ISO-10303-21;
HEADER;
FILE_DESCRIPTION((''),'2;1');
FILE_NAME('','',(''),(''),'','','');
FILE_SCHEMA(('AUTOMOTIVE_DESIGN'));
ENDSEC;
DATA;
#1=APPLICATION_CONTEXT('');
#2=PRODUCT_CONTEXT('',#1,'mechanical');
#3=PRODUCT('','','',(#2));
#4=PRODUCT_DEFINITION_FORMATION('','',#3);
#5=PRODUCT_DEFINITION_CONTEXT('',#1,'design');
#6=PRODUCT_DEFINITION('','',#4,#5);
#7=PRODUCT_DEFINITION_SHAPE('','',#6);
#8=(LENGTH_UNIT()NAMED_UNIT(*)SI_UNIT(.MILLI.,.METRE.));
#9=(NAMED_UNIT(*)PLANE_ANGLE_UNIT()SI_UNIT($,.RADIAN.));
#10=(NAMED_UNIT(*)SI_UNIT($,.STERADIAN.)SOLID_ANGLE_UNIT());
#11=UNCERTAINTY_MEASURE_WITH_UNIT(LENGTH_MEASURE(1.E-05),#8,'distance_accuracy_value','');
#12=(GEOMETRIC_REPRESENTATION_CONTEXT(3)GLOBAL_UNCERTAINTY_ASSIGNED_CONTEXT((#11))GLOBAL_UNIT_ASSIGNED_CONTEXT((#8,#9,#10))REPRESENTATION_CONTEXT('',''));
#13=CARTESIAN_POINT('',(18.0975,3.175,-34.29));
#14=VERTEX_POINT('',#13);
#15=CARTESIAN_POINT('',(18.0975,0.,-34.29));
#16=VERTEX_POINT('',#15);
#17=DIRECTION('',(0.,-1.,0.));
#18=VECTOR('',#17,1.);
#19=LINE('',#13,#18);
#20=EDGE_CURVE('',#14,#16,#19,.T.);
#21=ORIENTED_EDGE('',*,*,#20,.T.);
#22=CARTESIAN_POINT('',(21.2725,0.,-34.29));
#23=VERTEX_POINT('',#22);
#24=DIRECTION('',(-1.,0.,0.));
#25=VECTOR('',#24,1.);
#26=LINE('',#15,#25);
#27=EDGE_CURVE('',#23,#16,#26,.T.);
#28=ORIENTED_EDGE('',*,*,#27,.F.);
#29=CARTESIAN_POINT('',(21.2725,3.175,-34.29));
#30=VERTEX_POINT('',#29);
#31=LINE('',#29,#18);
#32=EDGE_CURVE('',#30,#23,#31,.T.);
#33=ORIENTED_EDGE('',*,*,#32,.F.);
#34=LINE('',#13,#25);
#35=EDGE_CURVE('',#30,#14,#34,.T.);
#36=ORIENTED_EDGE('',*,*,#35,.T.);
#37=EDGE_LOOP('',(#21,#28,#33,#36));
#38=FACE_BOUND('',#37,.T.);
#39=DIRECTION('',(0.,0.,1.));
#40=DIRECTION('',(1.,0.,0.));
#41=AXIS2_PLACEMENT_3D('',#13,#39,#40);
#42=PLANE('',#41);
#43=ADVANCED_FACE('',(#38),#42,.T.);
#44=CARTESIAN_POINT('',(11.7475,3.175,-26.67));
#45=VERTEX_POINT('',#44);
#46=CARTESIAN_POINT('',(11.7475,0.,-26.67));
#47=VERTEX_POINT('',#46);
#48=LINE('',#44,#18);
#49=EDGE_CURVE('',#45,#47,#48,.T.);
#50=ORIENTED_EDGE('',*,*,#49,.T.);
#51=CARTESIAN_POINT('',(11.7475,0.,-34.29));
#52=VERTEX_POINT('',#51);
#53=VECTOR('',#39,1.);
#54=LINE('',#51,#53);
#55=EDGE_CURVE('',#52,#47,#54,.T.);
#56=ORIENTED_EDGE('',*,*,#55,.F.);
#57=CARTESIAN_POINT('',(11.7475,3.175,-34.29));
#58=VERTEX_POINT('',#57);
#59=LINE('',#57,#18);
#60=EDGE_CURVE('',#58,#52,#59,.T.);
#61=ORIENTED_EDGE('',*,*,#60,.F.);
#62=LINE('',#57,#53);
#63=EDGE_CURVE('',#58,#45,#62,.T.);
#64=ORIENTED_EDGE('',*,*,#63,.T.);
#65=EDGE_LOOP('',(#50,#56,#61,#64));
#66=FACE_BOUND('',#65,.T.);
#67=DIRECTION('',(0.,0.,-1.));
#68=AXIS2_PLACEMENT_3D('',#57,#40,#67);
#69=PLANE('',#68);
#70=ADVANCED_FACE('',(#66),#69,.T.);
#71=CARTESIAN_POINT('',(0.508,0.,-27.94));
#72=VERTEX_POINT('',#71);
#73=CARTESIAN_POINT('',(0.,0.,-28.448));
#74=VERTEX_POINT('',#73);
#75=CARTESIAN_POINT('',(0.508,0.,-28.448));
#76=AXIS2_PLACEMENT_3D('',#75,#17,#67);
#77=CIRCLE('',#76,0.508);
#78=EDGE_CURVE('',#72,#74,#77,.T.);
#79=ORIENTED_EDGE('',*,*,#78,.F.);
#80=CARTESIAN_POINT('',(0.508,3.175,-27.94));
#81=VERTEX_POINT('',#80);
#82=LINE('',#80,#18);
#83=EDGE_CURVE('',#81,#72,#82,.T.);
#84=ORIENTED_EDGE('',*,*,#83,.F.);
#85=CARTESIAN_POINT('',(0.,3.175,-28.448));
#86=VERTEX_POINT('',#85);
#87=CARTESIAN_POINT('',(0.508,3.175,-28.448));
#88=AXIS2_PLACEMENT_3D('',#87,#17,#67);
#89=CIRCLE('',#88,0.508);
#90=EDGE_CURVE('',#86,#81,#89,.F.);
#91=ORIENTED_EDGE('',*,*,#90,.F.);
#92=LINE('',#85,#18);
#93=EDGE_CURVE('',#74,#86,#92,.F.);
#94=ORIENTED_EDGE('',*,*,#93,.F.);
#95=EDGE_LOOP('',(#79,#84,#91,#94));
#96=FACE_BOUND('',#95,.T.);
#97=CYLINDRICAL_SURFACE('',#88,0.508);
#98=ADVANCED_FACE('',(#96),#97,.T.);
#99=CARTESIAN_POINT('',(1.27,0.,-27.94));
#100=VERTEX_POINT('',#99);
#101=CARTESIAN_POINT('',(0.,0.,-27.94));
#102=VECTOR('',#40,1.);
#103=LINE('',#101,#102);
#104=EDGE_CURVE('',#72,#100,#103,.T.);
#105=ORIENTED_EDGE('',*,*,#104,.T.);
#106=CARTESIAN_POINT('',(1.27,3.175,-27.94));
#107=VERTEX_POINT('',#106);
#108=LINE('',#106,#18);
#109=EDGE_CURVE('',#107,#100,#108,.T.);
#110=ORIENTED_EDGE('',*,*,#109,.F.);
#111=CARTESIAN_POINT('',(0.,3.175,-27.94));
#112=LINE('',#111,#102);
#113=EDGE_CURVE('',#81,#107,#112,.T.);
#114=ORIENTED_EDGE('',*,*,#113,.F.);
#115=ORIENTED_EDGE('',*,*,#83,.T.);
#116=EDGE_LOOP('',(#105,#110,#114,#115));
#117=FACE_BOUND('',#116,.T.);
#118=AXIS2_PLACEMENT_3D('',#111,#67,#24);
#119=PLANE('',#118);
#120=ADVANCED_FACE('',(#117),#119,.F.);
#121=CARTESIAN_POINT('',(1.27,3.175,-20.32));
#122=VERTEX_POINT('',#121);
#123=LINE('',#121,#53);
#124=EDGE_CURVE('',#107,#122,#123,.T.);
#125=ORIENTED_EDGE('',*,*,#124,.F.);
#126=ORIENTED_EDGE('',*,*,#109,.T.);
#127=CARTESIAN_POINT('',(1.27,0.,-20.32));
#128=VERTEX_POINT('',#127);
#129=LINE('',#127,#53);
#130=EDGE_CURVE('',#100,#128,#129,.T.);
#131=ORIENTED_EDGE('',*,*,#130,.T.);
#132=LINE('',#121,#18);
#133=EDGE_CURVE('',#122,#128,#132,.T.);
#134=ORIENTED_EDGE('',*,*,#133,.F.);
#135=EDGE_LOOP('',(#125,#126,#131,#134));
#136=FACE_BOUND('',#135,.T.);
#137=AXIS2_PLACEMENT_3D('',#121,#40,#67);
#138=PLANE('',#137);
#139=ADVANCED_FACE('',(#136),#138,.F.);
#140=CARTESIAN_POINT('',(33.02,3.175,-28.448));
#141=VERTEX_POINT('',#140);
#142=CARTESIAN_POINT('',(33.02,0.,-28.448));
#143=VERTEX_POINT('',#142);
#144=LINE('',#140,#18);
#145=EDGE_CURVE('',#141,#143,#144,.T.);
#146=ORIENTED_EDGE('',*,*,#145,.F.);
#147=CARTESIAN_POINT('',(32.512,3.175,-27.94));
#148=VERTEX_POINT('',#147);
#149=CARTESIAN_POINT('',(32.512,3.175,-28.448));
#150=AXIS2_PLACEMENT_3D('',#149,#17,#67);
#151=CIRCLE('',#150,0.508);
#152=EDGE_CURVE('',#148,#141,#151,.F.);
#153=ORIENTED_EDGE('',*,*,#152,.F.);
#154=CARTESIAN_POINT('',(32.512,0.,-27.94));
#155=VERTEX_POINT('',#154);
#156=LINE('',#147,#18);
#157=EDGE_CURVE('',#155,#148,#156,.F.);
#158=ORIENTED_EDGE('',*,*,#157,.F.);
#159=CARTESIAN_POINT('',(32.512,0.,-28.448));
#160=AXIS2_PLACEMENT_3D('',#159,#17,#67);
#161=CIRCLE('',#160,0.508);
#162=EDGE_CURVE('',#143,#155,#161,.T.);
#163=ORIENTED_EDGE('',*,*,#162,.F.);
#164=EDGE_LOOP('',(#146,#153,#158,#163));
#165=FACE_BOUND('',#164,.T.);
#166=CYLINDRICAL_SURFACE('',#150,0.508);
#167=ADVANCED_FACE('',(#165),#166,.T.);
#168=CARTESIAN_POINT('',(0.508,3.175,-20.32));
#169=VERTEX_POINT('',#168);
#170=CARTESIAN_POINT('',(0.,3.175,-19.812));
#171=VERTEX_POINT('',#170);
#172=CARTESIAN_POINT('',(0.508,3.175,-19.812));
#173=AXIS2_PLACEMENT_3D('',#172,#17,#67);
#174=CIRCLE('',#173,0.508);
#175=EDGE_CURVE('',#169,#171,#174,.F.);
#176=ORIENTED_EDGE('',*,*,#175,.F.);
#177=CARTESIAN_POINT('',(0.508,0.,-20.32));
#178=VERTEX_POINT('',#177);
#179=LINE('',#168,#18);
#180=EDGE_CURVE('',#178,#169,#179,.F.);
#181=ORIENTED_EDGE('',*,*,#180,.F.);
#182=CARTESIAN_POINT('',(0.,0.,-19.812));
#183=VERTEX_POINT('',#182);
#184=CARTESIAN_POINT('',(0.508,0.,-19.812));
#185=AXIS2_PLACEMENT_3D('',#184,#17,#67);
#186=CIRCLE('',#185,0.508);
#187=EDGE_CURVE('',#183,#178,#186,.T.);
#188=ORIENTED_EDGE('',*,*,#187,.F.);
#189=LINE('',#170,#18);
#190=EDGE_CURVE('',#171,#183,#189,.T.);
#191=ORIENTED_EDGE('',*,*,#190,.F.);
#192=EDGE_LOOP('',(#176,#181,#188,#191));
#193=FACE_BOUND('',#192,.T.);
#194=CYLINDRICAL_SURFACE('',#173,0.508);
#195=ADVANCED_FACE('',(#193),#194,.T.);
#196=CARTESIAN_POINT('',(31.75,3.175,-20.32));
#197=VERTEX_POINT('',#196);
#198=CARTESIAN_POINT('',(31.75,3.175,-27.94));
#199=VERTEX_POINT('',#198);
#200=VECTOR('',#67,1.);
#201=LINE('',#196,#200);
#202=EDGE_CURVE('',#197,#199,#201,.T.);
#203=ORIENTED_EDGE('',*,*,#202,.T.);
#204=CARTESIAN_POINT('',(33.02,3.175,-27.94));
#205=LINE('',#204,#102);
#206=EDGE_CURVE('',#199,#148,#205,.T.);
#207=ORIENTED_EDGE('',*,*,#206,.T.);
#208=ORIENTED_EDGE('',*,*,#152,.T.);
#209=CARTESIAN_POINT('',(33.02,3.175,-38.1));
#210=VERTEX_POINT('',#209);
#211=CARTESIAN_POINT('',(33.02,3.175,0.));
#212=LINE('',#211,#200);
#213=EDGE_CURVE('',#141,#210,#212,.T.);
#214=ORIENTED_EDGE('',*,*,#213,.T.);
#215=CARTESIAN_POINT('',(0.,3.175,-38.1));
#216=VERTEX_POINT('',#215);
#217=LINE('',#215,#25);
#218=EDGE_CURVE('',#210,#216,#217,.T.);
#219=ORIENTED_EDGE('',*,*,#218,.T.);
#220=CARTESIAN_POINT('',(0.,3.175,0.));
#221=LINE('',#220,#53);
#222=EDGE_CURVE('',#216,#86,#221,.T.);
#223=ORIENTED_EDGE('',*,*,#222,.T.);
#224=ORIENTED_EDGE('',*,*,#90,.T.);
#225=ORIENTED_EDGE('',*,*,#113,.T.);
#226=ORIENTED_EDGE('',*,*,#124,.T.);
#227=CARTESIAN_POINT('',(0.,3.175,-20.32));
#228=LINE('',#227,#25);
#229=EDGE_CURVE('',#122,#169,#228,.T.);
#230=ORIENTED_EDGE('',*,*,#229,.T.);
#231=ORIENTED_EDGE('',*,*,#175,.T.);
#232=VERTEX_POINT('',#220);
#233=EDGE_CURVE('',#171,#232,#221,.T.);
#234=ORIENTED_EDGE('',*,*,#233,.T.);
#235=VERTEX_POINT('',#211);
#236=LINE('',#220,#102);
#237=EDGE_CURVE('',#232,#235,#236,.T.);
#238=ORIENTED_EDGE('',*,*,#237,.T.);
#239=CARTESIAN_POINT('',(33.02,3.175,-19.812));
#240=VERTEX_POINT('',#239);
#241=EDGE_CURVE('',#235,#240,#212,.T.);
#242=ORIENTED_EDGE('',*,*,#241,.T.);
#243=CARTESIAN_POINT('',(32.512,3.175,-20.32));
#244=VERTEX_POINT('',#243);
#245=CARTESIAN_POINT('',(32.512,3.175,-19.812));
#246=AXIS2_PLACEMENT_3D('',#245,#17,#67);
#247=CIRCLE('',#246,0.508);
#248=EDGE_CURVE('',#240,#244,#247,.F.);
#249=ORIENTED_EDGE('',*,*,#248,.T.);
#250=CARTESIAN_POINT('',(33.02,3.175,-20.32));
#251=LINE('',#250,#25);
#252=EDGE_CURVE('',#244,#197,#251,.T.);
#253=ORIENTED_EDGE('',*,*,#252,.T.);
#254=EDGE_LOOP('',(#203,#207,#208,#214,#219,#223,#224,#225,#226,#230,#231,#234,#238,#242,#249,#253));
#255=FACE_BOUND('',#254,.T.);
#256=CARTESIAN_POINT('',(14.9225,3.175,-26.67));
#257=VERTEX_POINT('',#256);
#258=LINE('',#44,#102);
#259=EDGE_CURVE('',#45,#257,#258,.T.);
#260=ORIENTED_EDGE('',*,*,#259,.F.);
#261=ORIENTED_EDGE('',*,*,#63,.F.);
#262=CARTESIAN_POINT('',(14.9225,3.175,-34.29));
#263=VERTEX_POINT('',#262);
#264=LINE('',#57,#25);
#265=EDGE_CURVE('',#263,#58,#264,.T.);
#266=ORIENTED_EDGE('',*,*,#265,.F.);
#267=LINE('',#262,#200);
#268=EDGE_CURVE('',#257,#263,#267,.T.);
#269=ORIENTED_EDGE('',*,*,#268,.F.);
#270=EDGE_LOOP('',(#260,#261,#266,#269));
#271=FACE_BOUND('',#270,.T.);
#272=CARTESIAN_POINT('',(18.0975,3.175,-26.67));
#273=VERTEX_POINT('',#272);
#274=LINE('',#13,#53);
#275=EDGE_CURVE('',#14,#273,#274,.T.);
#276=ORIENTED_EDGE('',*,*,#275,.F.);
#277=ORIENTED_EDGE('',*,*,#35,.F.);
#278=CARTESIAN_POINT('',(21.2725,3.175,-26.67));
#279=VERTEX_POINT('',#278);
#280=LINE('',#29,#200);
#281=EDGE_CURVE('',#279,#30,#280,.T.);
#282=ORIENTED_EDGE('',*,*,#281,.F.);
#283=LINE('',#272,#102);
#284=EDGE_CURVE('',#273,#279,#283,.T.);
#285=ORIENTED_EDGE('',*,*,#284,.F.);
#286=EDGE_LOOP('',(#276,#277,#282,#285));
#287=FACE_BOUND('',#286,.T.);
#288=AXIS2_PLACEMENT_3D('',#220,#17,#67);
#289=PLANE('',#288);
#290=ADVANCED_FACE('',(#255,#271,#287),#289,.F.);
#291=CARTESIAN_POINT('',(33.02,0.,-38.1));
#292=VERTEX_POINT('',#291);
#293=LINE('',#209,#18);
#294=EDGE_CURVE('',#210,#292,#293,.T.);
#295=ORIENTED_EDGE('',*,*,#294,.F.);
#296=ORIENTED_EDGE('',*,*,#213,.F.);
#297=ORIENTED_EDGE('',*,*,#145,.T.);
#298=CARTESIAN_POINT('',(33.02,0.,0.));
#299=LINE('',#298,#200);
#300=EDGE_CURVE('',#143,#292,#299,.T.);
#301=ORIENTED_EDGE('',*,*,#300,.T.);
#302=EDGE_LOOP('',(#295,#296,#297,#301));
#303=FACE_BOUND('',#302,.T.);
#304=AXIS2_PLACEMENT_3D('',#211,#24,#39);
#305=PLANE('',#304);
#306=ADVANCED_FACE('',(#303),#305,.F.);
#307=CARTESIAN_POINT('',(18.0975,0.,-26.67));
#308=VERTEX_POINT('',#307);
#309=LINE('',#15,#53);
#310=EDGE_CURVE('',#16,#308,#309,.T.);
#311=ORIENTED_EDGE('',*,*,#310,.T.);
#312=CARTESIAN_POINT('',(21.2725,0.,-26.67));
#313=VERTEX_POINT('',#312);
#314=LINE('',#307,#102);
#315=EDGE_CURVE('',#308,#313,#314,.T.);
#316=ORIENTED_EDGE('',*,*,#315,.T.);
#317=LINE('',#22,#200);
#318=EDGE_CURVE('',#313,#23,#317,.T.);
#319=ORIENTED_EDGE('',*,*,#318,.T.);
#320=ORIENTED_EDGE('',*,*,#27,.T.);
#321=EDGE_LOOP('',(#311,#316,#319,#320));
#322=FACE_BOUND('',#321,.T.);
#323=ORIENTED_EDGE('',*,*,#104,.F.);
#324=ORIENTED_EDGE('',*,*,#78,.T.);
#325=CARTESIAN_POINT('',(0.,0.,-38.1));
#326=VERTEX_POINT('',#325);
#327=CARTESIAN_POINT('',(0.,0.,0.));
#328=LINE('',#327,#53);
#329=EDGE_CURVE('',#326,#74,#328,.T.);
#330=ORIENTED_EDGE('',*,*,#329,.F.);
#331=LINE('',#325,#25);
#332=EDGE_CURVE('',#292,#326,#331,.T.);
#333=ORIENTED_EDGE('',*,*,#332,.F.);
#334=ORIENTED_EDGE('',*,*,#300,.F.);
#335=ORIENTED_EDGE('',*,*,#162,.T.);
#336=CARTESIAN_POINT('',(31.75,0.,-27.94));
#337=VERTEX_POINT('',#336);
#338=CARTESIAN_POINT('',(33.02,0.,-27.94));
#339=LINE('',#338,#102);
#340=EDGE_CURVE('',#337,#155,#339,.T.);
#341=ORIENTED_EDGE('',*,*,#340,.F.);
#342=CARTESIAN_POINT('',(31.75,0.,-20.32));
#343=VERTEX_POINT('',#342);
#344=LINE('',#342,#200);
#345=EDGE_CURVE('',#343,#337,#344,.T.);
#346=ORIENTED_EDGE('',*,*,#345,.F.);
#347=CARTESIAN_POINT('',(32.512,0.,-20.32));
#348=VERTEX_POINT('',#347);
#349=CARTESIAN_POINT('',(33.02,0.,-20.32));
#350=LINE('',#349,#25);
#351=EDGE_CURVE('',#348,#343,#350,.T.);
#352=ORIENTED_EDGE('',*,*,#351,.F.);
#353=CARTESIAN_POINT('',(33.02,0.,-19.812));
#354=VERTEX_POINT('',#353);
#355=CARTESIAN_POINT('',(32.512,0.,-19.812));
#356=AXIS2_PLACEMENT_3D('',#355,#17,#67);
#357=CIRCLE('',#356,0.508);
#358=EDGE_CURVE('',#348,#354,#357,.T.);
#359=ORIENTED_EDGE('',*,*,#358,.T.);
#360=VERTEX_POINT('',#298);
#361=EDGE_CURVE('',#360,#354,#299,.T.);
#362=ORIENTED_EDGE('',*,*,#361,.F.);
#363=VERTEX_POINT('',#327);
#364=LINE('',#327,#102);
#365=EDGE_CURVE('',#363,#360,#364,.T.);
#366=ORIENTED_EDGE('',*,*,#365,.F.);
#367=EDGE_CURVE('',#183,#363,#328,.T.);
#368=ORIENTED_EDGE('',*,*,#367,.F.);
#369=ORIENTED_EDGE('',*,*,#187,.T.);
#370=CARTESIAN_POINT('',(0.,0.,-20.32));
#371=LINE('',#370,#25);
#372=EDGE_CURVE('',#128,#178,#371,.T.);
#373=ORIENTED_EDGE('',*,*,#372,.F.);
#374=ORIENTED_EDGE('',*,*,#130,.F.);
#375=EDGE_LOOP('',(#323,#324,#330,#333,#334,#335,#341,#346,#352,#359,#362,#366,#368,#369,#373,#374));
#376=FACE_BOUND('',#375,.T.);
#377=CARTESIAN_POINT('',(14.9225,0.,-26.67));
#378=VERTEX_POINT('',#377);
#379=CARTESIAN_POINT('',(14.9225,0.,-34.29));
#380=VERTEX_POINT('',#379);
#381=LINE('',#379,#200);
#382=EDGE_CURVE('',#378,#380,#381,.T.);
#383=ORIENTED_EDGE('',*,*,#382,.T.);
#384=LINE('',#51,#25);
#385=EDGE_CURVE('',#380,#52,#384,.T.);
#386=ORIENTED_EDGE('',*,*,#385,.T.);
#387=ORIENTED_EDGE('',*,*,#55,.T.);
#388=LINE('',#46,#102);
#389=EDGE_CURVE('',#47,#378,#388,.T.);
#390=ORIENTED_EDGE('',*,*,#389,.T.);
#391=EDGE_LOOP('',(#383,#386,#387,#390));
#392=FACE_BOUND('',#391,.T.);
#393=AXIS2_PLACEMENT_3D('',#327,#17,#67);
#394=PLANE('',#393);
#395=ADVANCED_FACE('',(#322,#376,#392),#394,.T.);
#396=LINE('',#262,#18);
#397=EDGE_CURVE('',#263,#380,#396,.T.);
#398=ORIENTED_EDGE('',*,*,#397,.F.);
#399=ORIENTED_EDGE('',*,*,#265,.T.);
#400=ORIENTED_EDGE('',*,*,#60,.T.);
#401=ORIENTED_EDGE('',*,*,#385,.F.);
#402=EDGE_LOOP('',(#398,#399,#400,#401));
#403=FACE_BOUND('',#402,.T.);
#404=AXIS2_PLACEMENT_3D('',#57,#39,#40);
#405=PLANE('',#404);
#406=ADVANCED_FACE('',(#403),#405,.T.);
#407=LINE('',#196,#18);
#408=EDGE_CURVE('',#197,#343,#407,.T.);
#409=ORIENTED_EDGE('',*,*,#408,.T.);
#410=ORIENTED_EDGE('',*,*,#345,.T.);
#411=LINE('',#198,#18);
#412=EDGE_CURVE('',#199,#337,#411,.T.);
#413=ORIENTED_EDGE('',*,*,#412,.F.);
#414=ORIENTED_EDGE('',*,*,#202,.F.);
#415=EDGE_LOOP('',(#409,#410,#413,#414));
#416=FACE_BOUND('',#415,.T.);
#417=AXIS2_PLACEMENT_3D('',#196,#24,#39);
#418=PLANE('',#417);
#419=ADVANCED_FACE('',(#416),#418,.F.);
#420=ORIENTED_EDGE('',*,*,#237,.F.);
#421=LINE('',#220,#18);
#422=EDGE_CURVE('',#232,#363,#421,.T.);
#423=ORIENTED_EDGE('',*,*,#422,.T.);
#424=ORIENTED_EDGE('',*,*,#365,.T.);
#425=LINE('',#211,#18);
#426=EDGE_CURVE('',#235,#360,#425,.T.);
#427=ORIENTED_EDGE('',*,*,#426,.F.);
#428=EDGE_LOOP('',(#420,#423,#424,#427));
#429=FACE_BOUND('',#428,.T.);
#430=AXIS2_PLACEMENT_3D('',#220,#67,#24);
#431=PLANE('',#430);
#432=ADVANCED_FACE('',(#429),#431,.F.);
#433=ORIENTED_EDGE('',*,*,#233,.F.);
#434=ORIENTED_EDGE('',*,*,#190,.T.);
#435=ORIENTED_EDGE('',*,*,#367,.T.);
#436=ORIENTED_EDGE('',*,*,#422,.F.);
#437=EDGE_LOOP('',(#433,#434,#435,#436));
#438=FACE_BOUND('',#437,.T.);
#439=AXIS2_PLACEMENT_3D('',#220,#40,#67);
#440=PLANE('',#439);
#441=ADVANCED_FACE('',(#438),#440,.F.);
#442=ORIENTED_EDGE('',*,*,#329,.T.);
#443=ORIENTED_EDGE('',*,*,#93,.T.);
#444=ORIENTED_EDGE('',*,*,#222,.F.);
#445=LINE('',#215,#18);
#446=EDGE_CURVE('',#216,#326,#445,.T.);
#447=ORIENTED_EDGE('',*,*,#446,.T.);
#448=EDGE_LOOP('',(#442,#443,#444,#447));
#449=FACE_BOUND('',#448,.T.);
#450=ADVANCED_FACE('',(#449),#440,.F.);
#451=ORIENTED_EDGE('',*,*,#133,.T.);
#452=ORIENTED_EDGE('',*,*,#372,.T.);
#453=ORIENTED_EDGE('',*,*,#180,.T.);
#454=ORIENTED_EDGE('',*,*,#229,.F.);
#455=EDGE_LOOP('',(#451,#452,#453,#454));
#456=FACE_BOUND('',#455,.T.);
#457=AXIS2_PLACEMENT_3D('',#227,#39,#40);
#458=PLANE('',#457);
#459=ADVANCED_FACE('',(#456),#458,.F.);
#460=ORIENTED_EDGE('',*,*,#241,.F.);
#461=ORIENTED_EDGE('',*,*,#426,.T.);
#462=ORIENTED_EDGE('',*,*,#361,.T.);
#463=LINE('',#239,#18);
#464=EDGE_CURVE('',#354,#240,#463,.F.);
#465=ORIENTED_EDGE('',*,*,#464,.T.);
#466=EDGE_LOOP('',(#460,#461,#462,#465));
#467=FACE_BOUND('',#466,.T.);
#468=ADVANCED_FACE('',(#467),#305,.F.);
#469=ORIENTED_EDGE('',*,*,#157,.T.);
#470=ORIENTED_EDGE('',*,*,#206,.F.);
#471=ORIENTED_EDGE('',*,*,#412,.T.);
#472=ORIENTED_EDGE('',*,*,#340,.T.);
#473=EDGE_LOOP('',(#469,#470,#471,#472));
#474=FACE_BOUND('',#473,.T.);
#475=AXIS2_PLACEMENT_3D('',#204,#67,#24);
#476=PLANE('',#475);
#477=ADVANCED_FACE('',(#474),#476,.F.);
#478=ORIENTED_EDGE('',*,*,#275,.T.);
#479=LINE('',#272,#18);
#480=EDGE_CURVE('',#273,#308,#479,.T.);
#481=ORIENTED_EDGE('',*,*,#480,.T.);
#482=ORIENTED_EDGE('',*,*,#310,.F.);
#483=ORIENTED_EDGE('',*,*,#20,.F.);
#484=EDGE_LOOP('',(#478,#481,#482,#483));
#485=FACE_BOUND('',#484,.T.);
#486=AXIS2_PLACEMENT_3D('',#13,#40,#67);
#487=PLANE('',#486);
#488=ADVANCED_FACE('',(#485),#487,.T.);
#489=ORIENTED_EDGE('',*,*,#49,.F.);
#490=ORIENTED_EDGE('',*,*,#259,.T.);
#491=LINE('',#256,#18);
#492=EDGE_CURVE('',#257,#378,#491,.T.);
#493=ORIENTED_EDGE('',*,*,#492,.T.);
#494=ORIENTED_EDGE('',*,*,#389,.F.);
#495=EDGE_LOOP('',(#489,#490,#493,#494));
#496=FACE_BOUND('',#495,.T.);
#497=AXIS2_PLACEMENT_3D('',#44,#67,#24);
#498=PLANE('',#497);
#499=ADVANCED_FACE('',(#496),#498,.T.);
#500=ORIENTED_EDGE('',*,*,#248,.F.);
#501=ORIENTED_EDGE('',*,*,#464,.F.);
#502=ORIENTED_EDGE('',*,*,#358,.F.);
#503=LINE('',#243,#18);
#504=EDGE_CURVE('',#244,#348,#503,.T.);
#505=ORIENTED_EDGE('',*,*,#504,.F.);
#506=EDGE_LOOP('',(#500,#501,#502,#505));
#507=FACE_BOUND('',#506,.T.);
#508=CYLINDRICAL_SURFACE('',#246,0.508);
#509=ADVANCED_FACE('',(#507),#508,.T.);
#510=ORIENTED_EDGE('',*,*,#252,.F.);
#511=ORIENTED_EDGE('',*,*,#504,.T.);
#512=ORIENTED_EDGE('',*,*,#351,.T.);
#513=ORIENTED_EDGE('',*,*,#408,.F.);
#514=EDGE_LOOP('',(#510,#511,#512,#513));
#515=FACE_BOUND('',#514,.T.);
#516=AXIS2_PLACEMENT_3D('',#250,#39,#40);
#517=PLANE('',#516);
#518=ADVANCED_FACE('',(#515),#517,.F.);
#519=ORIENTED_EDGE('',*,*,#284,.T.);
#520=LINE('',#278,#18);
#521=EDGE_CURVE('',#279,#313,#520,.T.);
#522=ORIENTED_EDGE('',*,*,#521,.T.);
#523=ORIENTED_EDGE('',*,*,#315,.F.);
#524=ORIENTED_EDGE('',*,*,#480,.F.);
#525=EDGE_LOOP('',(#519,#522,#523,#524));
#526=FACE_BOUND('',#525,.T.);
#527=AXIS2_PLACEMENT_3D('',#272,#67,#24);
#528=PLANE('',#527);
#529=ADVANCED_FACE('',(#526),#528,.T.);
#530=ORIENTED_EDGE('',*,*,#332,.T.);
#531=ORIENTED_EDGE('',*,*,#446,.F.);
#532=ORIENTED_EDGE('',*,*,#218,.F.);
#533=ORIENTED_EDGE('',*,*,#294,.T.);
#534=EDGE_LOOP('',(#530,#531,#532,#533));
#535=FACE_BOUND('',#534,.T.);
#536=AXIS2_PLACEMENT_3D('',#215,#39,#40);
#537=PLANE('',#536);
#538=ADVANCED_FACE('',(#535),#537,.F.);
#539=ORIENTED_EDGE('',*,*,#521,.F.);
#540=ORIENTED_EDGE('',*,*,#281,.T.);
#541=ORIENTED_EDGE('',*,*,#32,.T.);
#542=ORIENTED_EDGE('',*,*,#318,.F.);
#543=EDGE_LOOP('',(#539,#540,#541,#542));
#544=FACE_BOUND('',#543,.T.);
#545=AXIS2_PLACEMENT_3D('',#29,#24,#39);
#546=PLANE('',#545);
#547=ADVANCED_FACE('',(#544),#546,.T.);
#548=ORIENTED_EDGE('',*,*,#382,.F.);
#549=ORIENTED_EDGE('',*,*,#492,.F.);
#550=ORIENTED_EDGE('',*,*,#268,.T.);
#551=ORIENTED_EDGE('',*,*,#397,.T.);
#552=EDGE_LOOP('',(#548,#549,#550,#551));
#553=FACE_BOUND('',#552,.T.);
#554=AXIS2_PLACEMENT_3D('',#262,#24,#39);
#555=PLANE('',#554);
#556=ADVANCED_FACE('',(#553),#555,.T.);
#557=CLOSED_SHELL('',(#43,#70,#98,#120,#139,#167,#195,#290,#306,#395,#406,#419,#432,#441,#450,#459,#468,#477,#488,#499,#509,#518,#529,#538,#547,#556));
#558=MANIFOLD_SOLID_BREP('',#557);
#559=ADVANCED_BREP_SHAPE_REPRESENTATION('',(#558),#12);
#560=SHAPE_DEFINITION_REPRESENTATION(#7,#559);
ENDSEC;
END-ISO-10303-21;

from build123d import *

# Parameters (mm, degrees)
SKETCH1_W           = 33.02
SKETCH1_H           = 38.1
SKETCH1_W_2         = 3.175
SKETCH1_H_2         = 7.62
BOSS_EXTRUDE1_DEPTH = 3.175
SKETCH5_W           = 1.27
SKETCH5_H           = 7.62
CUT_EXTRUDE3_DEPTH  = 51.517432882
FILLET2_R           = 0.508


with BuildPart() as part:
    # Sketch1 → Boss-Extrude1 (new body)
    with BuildSketch(Plane(origin=(0, 0, 0), x_dir=(1, 0, 0), z_dir=(0, 1, 0))):
        with Locations((16.51, 19.05)):
            Rectangle(SKETCH1_W, SKETCH1_H)
        with Locations((13.335, 30.48)):
            Rectangle(SKETCH1_W_2, SKETCH1_H_2, mode=Mode.SUBTRACT)
        with Locations((19.685, 30.48)):
            Rectangle(SKETCH1_W_2, SKETCH1_H_2, mode=Mode.SUBTRACT)
    extrude(amount=BOSS_EXTRUDE1_DEPTH)

    # Sketch5 → Cut-Extrude3 (cut, through all)
    with BuildSketch(Plane.XZ):
        with Locations((32.385, -24.13)):
            Rectangle(SKETCH5_W, SKETCH5_H)
        with Locations((0.635, -24.13)):
            Rectangle(SKETCH5_W, SKETCH5_H)
    extrude(amount=-CUT_EXTRUDE3_DEPTH, mode=Mode.SUBTRACT)

    # Fillet2
    fillet2_edges = [part.edges().sort_by_distance(p)[0] for p in [
        (33.02, 1.5875, -20.32),
        (33.02, 1.5875, -27.94),
        (0, 1.5875, -27.94),
        (0, 1.5875, -20.32),
    ]]
    fillet(fillet2_edges, radius=FILLET2_R)


solid = part.part
